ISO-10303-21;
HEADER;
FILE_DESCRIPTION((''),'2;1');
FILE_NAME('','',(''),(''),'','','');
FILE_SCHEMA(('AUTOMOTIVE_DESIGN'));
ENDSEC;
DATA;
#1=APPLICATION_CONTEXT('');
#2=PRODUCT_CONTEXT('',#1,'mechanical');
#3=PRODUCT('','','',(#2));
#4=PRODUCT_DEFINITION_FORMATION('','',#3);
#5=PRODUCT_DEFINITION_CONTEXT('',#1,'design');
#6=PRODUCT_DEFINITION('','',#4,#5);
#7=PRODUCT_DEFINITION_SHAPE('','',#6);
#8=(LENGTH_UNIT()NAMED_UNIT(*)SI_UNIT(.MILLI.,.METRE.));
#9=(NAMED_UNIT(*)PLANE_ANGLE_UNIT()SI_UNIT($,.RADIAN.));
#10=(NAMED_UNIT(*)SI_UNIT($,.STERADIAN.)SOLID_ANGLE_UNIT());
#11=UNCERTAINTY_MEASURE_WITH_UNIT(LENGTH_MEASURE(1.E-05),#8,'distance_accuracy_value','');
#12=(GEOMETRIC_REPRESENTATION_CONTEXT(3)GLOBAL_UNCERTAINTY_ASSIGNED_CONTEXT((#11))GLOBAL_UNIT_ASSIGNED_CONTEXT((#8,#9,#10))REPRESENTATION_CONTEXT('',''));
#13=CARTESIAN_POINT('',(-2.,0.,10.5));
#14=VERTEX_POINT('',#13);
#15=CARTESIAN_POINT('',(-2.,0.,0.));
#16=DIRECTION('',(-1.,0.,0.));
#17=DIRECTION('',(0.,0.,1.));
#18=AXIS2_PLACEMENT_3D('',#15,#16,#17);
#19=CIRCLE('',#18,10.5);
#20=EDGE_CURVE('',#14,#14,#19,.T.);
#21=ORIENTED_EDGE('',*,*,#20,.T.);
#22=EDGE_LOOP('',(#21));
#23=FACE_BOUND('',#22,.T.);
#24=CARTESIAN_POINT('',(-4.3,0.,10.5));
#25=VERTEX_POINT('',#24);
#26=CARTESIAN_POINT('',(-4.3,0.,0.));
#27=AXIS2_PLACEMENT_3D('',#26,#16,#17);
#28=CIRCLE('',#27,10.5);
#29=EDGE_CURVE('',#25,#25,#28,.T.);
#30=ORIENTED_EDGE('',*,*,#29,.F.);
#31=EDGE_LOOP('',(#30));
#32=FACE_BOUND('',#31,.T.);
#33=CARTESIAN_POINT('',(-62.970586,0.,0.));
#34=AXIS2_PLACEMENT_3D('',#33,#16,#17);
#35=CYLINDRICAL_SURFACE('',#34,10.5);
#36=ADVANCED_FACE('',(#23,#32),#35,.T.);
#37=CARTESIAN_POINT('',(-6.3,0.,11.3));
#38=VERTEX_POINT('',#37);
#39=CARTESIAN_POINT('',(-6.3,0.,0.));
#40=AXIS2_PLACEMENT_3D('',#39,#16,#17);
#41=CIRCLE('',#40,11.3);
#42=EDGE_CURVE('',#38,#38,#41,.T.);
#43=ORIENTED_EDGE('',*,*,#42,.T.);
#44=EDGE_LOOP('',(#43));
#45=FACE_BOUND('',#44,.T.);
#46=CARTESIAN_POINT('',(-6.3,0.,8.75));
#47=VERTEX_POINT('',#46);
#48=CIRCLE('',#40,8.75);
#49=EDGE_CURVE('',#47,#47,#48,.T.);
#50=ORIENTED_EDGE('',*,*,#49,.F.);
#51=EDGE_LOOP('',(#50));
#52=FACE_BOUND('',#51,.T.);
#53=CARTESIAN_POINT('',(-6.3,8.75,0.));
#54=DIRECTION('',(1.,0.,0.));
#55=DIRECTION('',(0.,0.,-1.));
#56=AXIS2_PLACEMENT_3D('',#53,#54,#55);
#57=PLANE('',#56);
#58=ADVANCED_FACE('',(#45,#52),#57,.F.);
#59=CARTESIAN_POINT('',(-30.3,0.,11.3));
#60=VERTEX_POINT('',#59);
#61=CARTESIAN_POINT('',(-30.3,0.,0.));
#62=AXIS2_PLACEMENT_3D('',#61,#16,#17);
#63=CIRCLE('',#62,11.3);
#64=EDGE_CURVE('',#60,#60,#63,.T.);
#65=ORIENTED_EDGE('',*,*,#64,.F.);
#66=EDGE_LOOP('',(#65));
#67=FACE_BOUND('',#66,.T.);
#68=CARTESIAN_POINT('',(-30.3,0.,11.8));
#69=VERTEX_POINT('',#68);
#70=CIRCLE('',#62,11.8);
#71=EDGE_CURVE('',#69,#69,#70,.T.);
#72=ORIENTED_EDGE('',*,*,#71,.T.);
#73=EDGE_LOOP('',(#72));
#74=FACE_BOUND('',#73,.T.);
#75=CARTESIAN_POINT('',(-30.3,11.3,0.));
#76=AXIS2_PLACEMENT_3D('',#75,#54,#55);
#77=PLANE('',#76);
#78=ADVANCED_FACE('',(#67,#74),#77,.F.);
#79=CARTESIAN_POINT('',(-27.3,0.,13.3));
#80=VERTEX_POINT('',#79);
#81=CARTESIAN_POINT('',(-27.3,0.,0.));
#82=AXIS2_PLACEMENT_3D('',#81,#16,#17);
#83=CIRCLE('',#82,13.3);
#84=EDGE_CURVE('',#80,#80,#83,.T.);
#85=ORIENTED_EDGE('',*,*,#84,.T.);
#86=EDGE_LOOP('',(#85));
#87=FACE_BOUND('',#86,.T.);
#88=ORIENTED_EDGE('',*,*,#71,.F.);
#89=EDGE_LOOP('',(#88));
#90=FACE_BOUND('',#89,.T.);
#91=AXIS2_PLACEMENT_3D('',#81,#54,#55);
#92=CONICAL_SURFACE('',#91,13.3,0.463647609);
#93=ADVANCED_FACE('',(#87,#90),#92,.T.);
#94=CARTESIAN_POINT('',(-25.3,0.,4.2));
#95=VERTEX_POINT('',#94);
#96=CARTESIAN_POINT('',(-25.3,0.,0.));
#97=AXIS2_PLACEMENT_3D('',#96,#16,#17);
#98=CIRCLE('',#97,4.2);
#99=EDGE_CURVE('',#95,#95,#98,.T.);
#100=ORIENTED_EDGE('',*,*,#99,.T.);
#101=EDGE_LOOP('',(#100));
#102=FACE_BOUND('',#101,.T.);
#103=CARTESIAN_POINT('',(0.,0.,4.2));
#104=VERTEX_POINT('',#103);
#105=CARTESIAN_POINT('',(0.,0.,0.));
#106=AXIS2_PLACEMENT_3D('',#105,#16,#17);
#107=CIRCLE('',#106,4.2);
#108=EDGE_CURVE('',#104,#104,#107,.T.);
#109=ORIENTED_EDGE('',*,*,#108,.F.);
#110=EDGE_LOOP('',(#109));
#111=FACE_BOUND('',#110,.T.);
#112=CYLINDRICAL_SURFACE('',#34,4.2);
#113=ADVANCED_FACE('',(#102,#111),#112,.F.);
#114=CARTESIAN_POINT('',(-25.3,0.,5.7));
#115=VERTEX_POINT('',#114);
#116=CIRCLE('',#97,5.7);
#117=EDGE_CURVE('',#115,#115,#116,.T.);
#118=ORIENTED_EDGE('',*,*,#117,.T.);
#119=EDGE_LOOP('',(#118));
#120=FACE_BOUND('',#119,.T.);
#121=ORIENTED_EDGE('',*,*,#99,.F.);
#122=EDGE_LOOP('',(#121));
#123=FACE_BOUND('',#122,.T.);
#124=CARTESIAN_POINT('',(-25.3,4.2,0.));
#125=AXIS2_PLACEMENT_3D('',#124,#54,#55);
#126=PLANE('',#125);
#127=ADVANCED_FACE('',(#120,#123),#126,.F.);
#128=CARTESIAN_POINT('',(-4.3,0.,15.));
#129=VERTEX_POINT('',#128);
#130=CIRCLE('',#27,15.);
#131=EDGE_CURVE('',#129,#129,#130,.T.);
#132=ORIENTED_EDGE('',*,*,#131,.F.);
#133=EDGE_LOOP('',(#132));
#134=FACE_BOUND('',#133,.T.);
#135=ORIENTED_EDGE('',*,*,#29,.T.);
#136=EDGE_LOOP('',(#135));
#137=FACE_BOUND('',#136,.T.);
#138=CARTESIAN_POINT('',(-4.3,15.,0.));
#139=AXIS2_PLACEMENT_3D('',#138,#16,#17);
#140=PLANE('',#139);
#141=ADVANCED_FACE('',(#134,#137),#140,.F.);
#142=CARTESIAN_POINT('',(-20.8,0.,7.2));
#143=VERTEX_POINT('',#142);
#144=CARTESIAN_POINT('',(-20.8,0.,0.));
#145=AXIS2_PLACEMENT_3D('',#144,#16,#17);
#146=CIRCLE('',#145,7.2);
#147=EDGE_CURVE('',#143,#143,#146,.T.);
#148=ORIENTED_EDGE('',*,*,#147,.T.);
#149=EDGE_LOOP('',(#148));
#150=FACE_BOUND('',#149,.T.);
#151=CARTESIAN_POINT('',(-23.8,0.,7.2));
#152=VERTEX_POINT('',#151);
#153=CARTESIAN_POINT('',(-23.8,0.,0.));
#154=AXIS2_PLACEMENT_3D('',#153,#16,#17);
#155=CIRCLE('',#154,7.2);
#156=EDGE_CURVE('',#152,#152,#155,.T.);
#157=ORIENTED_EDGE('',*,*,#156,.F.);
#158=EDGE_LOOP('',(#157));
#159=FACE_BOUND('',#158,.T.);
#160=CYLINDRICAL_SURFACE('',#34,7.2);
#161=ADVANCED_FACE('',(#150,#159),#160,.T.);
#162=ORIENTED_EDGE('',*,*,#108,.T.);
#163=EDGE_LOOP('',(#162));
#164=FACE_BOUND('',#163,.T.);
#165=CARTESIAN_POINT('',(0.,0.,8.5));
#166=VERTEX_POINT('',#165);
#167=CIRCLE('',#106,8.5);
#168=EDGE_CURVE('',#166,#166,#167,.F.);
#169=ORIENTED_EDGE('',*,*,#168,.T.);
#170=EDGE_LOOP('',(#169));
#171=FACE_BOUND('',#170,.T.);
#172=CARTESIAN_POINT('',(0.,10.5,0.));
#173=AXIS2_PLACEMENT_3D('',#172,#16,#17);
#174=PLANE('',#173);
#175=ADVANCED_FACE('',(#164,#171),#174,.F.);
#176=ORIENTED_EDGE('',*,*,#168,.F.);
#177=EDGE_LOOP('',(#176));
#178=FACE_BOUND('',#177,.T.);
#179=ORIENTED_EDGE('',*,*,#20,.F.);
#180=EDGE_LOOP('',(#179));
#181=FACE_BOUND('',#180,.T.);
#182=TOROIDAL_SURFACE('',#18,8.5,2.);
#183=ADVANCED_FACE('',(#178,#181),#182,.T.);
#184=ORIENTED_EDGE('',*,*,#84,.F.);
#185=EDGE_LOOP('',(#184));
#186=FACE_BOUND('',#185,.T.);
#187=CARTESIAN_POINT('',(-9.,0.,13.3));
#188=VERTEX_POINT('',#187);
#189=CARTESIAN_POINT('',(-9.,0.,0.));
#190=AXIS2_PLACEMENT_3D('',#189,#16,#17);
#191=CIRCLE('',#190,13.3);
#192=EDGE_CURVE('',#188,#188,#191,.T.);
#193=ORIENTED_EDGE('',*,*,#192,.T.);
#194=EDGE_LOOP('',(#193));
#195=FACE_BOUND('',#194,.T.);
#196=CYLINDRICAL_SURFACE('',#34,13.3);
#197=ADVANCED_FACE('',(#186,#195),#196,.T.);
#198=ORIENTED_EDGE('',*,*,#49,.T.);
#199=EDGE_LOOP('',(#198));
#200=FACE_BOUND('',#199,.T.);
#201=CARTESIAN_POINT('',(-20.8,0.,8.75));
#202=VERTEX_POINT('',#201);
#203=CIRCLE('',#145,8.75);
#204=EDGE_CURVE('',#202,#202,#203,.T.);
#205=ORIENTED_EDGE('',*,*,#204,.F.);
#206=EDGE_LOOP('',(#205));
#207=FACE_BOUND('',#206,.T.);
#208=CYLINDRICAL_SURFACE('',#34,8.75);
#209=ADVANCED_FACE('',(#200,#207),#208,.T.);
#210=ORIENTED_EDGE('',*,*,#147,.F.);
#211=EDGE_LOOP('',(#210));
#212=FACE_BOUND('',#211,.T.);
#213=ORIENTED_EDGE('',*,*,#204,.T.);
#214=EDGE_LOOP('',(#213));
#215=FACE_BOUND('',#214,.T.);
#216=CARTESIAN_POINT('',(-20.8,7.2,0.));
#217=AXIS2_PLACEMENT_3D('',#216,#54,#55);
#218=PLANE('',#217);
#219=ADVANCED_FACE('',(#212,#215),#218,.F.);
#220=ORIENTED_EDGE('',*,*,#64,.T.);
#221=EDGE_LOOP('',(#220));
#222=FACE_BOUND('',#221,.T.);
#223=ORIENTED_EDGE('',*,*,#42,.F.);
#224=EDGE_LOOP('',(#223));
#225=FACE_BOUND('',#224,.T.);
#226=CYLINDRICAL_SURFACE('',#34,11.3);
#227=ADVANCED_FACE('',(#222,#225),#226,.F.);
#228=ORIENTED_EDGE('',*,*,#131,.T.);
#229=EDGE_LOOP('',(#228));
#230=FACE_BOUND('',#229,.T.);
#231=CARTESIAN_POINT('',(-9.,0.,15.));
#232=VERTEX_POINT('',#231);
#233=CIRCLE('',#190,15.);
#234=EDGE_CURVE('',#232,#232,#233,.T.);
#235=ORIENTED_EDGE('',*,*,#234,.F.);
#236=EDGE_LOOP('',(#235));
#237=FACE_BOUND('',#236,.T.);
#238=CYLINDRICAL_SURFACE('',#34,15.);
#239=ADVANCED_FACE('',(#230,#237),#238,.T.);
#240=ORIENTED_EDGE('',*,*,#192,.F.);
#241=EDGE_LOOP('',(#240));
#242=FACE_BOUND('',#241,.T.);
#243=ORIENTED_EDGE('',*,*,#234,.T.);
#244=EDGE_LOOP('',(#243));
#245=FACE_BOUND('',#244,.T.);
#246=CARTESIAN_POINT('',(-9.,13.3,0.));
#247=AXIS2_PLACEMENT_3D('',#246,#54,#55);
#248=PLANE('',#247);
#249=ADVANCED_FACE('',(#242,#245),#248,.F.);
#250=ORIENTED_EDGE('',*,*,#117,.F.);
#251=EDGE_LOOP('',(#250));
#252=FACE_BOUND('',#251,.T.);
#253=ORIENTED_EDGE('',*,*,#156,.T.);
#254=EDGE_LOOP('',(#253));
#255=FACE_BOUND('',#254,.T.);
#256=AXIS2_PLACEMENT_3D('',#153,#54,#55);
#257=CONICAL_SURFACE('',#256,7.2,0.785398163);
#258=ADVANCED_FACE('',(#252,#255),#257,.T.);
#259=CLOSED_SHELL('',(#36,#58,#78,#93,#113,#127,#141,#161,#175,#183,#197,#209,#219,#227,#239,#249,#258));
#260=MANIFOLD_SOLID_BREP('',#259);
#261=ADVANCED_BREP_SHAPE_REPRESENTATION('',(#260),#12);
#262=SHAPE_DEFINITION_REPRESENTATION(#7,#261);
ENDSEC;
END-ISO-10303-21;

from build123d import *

# Parameters (mm, degrees)
CONG_1_R = 2


with BuildPart() as part:
    # Esquisse1 → Révolution1 (revolve)
    with BuildSketch(Plane.XY):
        Polygon((-30.3, 11.3), (-30.3, 11.8), (-27.3, 13.3), (-9, 13.3), (-9, 15), (-4.3, 15), (-4.3, 10.5), (0, 10.5), (0, 4.2), (-25.3, 4.2), (-25.3, 5.7), (-23.8, 7.2), (-20.8, 7.2), (-20.8, 8.75), (-6.3, 8.75), (-6.3, 11.3), align=None)
    revolve(axis=Axis((-62.970585652, 0, 0), (1, 0, 0)))

    # Congé1
    cong_1_edges = [part.edges().sort_by_distance(p)[0] for p in [
        (0, -10.5, 0),
    ]]
    fillet(cong_1_edges, radius=CONG_1_R)


solid = part.part
